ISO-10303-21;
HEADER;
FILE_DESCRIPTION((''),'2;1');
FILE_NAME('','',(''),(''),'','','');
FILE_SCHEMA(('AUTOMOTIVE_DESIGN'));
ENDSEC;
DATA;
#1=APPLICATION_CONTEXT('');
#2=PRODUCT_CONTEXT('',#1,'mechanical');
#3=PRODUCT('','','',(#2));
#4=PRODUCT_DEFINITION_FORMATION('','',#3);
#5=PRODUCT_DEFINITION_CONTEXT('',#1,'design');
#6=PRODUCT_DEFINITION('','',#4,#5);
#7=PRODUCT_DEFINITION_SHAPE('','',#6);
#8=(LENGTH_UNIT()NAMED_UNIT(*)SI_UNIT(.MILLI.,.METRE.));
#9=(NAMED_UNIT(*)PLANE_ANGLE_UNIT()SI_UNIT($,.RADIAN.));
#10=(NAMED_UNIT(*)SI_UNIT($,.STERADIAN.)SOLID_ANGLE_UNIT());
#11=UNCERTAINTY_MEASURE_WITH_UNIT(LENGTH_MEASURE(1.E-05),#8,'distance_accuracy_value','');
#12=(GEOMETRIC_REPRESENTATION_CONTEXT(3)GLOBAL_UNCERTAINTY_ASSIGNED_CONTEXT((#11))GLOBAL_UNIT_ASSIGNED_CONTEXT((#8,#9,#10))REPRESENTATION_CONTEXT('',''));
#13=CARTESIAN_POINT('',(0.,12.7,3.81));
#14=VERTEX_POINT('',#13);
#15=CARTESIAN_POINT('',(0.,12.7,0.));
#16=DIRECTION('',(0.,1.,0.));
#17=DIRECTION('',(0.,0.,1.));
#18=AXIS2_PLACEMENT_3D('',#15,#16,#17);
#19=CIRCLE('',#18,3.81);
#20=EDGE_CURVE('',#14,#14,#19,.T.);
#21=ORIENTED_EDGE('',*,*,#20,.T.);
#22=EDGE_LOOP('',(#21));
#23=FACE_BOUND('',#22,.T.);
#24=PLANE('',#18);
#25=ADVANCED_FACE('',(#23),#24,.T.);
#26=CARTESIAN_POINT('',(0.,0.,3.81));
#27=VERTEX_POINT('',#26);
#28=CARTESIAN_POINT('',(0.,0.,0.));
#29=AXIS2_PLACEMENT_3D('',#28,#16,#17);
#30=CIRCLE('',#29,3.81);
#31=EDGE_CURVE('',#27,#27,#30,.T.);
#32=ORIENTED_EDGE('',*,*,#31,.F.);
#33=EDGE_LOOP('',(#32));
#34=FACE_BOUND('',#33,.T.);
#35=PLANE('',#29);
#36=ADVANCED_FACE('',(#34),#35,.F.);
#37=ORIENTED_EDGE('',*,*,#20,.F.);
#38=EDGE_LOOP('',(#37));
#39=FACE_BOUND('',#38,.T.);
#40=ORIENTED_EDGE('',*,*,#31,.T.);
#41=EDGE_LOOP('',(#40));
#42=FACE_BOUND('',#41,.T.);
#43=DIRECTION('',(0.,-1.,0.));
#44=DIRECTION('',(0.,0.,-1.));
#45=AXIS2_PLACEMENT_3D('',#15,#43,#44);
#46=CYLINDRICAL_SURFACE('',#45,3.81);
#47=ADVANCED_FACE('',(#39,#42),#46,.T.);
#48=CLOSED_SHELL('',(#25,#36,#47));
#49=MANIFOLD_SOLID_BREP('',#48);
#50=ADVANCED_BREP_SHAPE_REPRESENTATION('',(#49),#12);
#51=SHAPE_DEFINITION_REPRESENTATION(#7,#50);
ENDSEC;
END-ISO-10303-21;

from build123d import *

# Parameters (mm, degrees)
CROQUIS1_R              = 3.81
SALIENTE_EXTRUIR1_DEPTH = 12.7


with BuildPart() as part:
    # Croquis1 → Saliente-Extruir1 (new body)
    with BuildSketch(Plane(origin=(0, 0, 0), x_dir=(1, 0, 0), z_dir=(0, 1, 0))):
        Circle(CROQUIS1_R)
    extrude(amount=SALIENTE_EXTRUIR1_DEPTH)


solid = part.part
